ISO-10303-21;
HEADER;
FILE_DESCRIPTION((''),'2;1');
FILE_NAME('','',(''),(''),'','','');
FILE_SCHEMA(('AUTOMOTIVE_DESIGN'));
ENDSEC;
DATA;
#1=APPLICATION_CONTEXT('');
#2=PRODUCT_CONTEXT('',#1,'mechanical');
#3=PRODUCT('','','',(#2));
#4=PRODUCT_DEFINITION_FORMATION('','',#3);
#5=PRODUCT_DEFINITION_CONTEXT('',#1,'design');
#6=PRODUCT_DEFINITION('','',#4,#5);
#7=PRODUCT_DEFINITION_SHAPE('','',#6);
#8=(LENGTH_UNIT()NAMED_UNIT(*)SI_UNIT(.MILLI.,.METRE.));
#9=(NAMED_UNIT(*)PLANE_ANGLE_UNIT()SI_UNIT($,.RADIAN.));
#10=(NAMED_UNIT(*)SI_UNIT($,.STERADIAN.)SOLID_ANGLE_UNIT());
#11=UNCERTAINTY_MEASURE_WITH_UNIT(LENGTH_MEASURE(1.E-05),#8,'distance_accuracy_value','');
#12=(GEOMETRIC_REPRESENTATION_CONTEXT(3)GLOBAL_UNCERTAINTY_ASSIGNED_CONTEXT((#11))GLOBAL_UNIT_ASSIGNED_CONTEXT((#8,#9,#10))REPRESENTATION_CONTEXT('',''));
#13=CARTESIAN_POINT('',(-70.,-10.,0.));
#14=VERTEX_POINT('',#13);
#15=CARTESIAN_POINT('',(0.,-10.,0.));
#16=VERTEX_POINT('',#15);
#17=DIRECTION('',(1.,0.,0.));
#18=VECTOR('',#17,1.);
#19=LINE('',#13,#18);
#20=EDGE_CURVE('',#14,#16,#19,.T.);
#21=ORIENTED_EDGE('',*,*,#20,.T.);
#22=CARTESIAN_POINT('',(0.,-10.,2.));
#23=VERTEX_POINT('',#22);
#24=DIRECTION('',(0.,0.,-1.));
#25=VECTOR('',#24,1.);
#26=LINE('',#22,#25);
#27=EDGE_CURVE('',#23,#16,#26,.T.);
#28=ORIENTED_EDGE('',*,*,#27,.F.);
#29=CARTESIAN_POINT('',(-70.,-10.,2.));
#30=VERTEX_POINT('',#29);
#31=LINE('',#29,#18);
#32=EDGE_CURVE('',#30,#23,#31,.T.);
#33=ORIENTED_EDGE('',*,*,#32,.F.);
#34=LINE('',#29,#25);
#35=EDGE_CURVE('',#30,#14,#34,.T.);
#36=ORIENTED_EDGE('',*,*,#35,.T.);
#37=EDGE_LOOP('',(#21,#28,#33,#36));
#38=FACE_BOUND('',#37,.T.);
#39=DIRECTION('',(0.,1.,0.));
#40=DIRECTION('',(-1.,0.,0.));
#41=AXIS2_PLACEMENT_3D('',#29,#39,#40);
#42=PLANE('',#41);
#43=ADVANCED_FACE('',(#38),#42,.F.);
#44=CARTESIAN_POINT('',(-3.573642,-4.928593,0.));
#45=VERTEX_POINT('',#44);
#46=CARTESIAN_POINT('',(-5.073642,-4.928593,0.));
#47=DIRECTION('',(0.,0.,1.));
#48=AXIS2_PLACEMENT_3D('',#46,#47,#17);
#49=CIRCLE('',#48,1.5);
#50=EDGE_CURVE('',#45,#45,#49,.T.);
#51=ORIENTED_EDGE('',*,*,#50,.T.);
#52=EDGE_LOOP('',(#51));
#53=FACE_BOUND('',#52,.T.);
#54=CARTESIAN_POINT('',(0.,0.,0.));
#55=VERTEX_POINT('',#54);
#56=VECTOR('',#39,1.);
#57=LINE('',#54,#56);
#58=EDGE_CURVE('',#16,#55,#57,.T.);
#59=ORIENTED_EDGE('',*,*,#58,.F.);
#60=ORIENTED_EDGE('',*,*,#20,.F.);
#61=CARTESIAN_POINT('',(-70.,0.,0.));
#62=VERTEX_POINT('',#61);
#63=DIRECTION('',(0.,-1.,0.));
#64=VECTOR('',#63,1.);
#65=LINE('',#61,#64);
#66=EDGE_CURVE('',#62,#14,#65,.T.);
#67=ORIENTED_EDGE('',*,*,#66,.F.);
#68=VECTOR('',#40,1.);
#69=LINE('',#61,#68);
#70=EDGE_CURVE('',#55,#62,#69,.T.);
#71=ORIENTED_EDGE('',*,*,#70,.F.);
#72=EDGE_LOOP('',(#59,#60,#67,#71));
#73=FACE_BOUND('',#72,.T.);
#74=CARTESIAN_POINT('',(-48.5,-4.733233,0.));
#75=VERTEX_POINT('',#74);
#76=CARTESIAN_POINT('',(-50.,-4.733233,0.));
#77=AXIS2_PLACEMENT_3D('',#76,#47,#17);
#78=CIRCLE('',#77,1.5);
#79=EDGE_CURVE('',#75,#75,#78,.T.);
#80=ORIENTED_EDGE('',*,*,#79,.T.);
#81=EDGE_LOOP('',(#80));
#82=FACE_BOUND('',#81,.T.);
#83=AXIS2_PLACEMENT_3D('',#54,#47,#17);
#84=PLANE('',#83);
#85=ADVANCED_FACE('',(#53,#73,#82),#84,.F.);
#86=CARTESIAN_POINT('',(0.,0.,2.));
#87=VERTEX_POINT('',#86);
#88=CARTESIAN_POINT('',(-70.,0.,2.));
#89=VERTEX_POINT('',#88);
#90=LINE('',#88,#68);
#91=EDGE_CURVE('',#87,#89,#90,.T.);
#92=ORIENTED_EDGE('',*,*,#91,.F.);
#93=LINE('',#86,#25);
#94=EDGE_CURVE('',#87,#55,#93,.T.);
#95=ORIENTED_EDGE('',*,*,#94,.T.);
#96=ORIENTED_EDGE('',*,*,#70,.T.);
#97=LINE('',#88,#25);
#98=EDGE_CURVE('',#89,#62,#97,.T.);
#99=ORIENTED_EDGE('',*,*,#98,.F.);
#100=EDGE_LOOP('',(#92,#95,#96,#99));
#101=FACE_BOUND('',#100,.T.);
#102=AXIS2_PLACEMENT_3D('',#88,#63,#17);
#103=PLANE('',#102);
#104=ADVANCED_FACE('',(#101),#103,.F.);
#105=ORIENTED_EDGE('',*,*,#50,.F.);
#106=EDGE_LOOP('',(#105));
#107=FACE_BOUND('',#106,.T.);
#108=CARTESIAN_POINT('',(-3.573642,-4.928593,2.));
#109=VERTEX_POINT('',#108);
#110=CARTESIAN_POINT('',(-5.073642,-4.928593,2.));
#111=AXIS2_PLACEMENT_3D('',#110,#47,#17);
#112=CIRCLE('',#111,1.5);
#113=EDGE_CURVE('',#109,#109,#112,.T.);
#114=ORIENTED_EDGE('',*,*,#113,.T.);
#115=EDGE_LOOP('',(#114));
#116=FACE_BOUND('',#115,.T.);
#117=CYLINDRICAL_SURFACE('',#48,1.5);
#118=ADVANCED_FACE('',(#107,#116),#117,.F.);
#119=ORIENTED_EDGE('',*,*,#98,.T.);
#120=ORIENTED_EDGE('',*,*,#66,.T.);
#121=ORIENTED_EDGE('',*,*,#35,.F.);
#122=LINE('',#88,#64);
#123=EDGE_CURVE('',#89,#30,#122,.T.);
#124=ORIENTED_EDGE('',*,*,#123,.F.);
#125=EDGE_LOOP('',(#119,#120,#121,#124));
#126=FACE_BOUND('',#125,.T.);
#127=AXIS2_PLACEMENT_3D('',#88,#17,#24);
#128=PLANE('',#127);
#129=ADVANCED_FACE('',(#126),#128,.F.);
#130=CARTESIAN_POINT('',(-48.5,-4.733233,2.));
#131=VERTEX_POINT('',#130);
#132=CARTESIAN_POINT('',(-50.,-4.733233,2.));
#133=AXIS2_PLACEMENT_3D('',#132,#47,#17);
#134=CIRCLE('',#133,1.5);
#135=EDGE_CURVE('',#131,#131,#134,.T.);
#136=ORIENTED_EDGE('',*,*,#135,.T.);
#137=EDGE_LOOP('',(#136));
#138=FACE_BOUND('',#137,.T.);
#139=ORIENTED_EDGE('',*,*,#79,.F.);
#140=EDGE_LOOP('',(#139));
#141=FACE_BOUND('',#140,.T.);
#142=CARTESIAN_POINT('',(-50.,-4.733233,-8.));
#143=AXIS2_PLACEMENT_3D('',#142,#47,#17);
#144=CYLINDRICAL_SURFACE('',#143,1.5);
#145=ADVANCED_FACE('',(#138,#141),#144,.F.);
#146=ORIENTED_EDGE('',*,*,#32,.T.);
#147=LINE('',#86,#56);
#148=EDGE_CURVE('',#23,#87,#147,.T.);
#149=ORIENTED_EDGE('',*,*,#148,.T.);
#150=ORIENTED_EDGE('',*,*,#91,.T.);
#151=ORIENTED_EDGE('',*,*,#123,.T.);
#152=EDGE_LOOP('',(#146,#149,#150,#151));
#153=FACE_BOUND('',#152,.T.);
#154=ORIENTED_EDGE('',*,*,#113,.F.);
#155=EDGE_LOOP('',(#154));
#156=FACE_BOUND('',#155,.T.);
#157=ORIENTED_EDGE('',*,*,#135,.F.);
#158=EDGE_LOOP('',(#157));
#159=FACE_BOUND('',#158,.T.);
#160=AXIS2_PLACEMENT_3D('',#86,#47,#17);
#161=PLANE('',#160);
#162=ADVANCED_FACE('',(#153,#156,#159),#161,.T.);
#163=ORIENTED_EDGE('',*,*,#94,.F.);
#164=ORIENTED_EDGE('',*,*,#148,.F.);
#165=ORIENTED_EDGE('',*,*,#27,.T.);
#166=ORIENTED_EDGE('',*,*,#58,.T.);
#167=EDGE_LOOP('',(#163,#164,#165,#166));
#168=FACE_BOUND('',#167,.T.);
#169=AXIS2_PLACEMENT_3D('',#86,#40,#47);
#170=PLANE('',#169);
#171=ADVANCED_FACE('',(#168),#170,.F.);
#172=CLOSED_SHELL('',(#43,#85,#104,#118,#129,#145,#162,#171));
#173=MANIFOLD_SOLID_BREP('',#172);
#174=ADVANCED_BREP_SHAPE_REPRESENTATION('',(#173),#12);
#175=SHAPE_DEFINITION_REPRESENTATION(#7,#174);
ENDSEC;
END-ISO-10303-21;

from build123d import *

# Parameters (mm, degrees)
SKETCH1_W           = 70
SKETCH1_H           = 10
BOSS_EXTRUDE1_DEPTH = 2
SKETCH2_R           = 1.5
CUT_EXTRUDE1_DEPTH  = 2
SKETCH3_R           = 1.5
CUT_EXTRUDE2_DEPTH  = 10


with BuildPart() as part:
    # Sketch1 → Boss-Extrude1 (new body)
    with BuildSketch(Plane.XY):
        with Locations((-35, -5)):
            Rectangle(SKETCH1_W, SKETCH1_H)
    extrude(amount=BOSS_EXTRUDE1_DEPTH)

    # Sketch2 → Cut-Extrude1 (cut)
    with BuildSketch(Plane.XY.offset(2)):
        with Locations((-5.07364211, -4.928592782)):
            Circle(SKETCH2_R)
    extrude(amount=-CUT_EXTRUDE1_DEPTH, mode=Mode.SUBTRACT)

    # Sketch3 → Cut-Extrude2 (cut)
    with BuildSketch(Plane.XY.offset(2)):
        with Locations((-50, -4.733233439)):
            Circle(SKETCH3_R)
    extrude(amount=-CUT_EXTRUDE2_DEPTH, mode=Mode.SUBTRACT)


solid = part.part
